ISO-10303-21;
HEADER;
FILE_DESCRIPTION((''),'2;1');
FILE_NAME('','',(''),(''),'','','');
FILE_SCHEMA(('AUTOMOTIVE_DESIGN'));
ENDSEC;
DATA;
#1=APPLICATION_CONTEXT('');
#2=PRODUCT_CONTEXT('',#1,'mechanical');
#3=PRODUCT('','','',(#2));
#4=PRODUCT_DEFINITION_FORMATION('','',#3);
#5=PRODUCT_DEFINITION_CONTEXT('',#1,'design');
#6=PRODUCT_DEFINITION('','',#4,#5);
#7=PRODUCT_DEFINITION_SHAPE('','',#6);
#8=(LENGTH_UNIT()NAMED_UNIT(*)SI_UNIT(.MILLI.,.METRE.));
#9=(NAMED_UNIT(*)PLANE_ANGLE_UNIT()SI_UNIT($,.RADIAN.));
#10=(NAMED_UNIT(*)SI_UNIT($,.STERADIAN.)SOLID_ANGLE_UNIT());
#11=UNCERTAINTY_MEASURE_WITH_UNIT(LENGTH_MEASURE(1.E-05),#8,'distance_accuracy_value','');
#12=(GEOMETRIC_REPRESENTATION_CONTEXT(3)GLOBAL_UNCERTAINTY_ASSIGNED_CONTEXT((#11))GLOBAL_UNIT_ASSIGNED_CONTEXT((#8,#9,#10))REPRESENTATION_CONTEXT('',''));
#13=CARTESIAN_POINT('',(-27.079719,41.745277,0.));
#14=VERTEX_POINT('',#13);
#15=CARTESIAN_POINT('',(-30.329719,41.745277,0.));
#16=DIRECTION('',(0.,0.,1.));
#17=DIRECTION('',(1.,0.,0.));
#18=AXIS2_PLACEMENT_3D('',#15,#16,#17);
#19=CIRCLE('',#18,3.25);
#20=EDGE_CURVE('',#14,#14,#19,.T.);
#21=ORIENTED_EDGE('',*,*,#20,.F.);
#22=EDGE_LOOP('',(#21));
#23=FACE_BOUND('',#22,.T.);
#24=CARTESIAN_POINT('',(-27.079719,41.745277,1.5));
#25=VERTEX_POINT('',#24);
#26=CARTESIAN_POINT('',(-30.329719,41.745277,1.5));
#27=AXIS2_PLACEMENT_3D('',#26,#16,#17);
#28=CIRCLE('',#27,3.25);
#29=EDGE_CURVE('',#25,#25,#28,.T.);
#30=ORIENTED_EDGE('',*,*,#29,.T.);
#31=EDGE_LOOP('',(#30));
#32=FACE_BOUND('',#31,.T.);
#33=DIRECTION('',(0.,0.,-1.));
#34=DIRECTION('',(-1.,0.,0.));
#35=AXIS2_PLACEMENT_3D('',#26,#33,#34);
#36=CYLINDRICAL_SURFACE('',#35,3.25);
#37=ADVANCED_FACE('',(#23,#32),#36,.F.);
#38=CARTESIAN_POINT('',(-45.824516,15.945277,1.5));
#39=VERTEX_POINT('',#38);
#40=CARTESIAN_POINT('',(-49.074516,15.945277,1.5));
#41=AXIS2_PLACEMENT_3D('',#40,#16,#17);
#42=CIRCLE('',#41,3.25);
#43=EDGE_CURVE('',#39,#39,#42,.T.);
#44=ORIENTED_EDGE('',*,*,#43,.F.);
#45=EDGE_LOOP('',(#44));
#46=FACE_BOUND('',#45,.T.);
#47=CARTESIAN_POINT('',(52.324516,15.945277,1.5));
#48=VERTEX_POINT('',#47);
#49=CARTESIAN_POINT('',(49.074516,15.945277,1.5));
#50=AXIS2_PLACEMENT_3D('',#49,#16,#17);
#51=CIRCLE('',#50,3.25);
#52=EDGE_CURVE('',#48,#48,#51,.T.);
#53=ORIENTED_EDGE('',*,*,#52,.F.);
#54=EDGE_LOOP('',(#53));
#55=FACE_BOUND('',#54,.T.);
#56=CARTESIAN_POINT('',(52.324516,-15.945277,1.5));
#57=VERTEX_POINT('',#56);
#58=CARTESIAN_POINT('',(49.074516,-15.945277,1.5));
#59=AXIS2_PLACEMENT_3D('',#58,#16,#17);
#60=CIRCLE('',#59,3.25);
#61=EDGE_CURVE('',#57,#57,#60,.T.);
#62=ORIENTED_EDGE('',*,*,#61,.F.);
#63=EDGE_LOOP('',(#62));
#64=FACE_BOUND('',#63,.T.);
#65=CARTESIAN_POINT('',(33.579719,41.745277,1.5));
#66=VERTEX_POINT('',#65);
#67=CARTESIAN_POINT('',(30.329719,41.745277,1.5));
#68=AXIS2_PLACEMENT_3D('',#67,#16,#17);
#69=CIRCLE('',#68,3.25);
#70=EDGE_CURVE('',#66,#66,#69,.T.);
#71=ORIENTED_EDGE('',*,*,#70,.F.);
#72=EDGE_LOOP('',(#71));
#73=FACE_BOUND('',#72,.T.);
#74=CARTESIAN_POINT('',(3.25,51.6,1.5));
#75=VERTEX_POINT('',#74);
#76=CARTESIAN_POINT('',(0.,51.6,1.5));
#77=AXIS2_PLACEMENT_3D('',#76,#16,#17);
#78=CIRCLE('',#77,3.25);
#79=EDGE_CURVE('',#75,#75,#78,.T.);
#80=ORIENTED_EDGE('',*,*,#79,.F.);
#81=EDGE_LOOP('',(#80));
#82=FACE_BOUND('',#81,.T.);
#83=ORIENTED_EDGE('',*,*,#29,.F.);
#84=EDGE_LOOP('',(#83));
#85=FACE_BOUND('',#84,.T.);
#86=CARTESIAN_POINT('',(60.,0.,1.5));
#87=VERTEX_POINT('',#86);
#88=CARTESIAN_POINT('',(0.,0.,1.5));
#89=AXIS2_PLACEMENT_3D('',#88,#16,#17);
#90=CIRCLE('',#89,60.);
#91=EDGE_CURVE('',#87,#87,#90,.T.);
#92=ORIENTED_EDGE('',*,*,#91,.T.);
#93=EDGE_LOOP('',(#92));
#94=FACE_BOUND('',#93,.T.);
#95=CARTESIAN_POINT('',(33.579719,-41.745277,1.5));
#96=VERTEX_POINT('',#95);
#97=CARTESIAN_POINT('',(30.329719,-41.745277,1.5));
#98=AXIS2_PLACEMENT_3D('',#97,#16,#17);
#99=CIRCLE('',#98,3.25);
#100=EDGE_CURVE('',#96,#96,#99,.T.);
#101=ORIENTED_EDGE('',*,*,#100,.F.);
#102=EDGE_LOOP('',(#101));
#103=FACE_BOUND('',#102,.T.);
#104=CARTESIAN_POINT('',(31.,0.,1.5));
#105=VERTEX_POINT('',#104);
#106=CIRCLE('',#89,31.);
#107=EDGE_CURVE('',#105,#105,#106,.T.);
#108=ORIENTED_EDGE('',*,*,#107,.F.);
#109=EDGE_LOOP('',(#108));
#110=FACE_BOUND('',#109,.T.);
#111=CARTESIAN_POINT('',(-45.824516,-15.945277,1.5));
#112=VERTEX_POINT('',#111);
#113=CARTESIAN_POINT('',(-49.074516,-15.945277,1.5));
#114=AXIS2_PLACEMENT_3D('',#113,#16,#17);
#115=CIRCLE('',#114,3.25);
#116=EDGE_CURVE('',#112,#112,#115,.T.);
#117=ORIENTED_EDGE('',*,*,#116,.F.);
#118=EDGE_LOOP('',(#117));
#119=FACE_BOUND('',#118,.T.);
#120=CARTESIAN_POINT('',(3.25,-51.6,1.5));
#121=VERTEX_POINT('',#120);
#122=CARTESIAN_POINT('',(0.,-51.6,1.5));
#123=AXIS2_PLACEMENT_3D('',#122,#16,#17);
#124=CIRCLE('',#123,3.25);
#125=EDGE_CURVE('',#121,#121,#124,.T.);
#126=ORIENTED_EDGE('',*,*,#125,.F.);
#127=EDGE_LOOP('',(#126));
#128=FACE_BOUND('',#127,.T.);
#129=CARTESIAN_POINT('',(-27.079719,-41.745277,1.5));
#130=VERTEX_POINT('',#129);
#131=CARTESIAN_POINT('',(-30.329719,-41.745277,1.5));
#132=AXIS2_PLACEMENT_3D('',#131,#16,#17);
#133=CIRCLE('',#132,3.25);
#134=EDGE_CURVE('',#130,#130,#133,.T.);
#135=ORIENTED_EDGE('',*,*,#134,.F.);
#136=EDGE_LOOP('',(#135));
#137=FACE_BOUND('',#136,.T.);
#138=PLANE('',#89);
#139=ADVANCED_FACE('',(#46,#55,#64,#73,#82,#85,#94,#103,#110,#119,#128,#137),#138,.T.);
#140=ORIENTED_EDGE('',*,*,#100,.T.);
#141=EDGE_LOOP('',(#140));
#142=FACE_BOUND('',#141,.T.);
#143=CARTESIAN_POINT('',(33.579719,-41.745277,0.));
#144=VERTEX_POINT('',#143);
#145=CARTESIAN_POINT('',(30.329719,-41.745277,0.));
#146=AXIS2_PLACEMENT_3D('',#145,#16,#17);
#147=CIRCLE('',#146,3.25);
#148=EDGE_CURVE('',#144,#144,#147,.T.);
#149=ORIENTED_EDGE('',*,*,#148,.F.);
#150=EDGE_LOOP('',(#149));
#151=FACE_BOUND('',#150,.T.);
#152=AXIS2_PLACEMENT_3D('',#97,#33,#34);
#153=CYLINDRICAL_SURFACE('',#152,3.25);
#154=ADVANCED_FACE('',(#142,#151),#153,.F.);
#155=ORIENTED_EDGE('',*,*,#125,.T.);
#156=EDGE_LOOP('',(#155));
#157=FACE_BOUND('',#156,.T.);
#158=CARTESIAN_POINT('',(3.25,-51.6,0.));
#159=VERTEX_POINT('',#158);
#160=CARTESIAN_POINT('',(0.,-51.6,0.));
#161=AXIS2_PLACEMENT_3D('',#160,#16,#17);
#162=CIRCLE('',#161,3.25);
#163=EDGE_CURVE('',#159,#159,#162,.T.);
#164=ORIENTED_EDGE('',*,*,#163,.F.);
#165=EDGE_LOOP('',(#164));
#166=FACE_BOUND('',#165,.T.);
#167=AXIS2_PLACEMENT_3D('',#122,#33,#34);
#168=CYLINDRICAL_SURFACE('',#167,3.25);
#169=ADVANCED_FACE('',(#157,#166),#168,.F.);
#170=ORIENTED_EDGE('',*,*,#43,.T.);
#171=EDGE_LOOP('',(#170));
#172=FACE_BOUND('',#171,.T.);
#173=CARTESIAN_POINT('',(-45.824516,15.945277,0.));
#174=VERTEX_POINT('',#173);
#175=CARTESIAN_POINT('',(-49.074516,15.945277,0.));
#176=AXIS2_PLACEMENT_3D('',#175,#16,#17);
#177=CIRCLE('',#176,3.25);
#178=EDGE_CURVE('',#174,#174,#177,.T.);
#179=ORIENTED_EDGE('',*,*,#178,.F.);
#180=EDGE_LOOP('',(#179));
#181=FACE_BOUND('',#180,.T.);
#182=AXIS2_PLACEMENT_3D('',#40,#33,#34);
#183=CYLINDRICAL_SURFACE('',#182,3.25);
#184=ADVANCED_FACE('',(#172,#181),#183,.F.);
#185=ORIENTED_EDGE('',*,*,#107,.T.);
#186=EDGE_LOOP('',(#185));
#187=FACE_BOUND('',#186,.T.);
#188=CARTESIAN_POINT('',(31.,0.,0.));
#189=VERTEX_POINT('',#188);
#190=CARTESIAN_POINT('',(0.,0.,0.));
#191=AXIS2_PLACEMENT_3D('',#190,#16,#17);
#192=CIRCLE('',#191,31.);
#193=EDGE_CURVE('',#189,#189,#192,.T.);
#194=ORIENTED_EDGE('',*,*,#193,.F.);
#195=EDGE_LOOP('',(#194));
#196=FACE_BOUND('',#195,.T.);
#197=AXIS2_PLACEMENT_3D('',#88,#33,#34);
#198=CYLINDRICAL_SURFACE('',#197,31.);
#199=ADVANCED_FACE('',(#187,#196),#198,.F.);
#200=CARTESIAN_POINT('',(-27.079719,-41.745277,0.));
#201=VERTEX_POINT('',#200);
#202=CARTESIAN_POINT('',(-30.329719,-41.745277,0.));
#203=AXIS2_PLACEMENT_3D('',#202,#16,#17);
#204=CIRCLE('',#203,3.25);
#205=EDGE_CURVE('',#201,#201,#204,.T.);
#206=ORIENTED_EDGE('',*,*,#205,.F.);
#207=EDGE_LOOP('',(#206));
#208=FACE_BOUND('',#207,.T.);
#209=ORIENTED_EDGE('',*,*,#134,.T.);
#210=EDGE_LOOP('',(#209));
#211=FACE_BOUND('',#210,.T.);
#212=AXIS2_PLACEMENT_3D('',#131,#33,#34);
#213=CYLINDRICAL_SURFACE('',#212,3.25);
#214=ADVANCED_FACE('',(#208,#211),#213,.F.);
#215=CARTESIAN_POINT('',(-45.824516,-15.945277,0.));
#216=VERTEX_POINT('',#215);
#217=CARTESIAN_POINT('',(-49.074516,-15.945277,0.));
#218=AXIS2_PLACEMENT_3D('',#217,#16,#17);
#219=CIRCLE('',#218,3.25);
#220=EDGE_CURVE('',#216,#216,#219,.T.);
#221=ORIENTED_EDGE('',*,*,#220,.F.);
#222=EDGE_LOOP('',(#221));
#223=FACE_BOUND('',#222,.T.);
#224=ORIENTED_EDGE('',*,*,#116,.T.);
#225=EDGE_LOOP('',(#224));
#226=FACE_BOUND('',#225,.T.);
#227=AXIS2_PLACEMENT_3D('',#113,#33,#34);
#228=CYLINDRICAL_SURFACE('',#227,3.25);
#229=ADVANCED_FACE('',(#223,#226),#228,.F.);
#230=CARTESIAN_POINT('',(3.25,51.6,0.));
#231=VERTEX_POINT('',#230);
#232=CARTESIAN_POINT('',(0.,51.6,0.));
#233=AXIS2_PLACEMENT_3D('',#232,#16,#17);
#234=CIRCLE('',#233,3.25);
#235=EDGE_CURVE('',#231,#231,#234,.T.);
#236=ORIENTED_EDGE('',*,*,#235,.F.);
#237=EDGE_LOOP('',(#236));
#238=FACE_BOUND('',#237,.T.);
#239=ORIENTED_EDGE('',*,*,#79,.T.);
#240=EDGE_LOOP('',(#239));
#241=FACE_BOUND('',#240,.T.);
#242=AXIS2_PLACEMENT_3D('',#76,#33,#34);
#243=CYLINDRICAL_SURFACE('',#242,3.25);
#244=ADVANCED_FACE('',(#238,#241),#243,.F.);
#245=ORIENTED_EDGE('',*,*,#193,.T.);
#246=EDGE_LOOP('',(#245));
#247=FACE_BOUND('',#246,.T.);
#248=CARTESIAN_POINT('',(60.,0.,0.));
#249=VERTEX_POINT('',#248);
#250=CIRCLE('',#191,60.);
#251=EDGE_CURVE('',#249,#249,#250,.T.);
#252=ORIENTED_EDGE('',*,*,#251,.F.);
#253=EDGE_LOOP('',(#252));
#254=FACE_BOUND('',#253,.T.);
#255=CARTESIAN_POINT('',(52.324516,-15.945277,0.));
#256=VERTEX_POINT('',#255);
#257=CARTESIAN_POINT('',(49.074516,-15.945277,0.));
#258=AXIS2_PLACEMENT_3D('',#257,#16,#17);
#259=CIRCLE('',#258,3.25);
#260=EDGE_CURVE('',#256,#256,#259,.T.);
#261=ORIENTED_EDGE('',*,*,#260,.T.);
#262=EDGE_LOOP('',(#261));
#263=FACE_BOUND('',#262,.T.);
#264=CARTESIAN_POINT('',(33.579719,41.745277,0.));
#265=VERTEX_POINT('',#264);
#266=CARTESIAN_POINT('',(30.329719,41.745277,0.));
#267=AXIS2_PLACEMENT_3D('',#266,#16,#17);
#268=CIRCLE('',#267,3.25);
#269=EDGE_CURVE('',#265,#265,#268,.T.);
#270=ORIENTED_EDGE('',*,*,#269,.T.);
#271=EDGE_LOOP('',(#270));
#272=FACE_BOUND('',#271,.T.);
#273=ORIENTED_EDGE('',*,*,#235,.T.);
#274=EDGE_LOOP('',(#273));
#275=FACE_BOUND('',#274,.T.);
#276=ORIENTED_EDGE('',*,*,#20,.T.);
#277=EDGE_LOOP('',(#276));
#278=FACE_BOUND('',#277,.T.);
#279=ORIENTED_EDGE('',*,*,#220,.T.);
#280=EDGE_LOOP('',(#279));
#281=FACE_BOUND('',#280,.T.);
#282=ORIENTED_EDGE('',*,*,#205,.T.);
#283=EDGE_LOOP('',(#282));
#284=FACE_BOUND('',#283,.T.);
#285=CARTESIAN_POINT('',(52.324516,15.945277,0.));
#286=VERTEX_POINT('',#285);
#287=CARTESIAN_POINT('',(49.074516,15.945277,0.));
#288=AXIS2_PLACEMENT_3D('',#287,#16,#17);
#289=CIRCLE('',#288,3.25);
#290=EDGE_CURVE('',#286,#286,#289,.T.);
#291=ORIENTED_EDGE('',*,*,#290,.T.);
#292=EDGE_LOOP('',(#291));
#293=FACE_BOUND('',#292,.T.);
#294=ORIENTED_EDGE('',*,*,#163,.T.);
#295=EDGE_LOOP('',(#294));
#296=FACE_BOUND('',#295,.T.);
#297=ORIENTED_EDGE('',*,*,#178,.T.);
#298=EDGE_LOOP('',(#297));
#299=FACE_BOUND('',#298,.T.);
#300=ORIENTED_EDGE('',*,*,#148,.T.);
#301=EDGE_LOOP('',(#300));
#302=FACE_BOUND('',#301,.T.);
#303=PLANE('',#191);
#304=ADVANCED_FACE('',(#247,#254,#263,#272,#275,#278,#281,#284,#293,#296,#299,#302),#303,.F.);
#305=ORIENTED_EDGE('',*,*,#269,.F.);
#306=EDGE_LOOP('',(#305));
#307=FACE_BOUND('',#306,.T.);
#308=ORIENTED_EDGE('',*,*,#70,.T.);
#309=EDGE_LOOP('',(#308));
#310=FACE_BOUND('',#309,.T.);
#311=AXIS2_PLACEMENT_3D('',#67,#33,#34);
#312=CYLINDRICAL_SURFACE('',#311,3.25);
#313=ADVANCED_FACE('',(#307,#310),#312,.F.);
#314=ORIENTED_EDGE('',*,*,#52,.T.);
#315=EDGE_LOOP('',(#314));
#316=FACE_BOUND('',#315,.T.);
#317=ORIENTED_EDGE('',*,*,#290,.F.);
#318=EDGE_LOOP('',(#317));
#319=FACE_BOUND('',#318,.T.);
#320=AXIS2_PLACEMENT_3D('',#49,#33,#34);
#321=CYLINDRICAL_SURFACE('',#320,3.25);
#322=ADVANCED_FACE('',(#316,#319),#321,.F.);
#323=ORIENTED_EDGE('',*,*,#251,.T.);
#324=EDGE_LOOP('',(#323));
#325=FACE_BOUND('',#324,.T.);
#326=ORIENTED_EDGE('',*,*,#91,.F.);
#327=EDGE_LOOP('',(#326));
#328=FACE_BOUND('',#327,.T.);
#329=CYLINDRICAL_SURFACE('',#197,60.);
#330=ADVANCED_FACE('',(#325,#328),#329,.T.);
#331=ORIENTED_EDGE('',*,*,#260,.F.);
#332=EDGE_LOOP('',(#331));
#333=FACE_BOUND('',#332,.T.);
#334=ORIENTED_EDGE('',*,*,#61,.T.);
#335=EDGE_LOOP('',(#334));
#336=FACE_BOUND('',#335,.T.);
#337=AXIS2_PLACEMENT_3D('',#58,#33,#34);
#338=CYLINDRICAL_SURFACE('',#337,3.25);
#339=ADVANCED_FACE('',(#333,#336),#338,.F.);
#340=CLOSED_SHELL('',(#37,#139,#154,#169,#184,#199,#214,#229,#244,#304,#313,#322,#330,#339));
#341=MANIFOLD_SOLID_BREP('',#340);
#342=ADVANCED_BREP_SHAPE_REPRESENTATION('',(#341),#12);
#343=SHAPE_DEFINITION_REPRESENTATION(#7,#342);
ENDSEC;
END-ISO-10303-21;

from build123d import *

# Parameters (mm, degrees)
SKETCH1_R           = 60
SKETCH1_R_2         = 31
SKETCH1_R_3         = 3.25
BOSS_EXTRUDE1_DEPTH = 1.5


with BuildPart() as part:
    # Sketch1 → Boss-Extrude1 (new body)
    with BuildSketch(Plane.XY):
        Circle(SKETCH1_R)
        Circle(SKETCH1_R_2, mode=Mode.SUBTRACT)
        with Locations((0, 51.6)):
            Circle(SKETCH1_R_3, mode=Mode.SUBTRACT)
        with Locations((30.329719018, 41.74527691)):
            Circle(SKETCH1_R_3, mode=Mode.SUBTRACT)
        with Locations((49.074516241, 15.94527691)):
            Circle(SKETCH1_R_3, mode=Mode.SUBTRACT)
        with Locations((49.074516241, -15.94527691)):
            Circle(SKETCH1_R_3, mode=Mode.SUBTRACT)
        with Locations((30.329719018, -41.74527691)):
            Circle(SKETCH1_R_3, mode=Mode.SUBTRACT)
        with Locations((0, -51.6)):
            Circle(SKETCH1_R_3, mode=Mode.SUBTRACT)
        with Locations((-30.329719018, -41.74527691)):
            Circle(SKETCH1_R_3, mode=Mode.SUBTRACT)
        with Locations((-49.074516241, -15.94527691)):
            Circle(SKETCH1_R_3, mode=Mode.SUBTRACT)
        with Locations((-49.074516241, 15.94527691)):
            Circle(SKETCH1_R_3, mode=Mode.SUBTRACT)
        with Locations((-30.329719018, 41.74527691)):
            Circle(SKETCH1_R_3, mode=Mode.SUBTRACT)
    extrude(amount=BOSS_EXTRUDE1_DEPTH)


solid = part.part
